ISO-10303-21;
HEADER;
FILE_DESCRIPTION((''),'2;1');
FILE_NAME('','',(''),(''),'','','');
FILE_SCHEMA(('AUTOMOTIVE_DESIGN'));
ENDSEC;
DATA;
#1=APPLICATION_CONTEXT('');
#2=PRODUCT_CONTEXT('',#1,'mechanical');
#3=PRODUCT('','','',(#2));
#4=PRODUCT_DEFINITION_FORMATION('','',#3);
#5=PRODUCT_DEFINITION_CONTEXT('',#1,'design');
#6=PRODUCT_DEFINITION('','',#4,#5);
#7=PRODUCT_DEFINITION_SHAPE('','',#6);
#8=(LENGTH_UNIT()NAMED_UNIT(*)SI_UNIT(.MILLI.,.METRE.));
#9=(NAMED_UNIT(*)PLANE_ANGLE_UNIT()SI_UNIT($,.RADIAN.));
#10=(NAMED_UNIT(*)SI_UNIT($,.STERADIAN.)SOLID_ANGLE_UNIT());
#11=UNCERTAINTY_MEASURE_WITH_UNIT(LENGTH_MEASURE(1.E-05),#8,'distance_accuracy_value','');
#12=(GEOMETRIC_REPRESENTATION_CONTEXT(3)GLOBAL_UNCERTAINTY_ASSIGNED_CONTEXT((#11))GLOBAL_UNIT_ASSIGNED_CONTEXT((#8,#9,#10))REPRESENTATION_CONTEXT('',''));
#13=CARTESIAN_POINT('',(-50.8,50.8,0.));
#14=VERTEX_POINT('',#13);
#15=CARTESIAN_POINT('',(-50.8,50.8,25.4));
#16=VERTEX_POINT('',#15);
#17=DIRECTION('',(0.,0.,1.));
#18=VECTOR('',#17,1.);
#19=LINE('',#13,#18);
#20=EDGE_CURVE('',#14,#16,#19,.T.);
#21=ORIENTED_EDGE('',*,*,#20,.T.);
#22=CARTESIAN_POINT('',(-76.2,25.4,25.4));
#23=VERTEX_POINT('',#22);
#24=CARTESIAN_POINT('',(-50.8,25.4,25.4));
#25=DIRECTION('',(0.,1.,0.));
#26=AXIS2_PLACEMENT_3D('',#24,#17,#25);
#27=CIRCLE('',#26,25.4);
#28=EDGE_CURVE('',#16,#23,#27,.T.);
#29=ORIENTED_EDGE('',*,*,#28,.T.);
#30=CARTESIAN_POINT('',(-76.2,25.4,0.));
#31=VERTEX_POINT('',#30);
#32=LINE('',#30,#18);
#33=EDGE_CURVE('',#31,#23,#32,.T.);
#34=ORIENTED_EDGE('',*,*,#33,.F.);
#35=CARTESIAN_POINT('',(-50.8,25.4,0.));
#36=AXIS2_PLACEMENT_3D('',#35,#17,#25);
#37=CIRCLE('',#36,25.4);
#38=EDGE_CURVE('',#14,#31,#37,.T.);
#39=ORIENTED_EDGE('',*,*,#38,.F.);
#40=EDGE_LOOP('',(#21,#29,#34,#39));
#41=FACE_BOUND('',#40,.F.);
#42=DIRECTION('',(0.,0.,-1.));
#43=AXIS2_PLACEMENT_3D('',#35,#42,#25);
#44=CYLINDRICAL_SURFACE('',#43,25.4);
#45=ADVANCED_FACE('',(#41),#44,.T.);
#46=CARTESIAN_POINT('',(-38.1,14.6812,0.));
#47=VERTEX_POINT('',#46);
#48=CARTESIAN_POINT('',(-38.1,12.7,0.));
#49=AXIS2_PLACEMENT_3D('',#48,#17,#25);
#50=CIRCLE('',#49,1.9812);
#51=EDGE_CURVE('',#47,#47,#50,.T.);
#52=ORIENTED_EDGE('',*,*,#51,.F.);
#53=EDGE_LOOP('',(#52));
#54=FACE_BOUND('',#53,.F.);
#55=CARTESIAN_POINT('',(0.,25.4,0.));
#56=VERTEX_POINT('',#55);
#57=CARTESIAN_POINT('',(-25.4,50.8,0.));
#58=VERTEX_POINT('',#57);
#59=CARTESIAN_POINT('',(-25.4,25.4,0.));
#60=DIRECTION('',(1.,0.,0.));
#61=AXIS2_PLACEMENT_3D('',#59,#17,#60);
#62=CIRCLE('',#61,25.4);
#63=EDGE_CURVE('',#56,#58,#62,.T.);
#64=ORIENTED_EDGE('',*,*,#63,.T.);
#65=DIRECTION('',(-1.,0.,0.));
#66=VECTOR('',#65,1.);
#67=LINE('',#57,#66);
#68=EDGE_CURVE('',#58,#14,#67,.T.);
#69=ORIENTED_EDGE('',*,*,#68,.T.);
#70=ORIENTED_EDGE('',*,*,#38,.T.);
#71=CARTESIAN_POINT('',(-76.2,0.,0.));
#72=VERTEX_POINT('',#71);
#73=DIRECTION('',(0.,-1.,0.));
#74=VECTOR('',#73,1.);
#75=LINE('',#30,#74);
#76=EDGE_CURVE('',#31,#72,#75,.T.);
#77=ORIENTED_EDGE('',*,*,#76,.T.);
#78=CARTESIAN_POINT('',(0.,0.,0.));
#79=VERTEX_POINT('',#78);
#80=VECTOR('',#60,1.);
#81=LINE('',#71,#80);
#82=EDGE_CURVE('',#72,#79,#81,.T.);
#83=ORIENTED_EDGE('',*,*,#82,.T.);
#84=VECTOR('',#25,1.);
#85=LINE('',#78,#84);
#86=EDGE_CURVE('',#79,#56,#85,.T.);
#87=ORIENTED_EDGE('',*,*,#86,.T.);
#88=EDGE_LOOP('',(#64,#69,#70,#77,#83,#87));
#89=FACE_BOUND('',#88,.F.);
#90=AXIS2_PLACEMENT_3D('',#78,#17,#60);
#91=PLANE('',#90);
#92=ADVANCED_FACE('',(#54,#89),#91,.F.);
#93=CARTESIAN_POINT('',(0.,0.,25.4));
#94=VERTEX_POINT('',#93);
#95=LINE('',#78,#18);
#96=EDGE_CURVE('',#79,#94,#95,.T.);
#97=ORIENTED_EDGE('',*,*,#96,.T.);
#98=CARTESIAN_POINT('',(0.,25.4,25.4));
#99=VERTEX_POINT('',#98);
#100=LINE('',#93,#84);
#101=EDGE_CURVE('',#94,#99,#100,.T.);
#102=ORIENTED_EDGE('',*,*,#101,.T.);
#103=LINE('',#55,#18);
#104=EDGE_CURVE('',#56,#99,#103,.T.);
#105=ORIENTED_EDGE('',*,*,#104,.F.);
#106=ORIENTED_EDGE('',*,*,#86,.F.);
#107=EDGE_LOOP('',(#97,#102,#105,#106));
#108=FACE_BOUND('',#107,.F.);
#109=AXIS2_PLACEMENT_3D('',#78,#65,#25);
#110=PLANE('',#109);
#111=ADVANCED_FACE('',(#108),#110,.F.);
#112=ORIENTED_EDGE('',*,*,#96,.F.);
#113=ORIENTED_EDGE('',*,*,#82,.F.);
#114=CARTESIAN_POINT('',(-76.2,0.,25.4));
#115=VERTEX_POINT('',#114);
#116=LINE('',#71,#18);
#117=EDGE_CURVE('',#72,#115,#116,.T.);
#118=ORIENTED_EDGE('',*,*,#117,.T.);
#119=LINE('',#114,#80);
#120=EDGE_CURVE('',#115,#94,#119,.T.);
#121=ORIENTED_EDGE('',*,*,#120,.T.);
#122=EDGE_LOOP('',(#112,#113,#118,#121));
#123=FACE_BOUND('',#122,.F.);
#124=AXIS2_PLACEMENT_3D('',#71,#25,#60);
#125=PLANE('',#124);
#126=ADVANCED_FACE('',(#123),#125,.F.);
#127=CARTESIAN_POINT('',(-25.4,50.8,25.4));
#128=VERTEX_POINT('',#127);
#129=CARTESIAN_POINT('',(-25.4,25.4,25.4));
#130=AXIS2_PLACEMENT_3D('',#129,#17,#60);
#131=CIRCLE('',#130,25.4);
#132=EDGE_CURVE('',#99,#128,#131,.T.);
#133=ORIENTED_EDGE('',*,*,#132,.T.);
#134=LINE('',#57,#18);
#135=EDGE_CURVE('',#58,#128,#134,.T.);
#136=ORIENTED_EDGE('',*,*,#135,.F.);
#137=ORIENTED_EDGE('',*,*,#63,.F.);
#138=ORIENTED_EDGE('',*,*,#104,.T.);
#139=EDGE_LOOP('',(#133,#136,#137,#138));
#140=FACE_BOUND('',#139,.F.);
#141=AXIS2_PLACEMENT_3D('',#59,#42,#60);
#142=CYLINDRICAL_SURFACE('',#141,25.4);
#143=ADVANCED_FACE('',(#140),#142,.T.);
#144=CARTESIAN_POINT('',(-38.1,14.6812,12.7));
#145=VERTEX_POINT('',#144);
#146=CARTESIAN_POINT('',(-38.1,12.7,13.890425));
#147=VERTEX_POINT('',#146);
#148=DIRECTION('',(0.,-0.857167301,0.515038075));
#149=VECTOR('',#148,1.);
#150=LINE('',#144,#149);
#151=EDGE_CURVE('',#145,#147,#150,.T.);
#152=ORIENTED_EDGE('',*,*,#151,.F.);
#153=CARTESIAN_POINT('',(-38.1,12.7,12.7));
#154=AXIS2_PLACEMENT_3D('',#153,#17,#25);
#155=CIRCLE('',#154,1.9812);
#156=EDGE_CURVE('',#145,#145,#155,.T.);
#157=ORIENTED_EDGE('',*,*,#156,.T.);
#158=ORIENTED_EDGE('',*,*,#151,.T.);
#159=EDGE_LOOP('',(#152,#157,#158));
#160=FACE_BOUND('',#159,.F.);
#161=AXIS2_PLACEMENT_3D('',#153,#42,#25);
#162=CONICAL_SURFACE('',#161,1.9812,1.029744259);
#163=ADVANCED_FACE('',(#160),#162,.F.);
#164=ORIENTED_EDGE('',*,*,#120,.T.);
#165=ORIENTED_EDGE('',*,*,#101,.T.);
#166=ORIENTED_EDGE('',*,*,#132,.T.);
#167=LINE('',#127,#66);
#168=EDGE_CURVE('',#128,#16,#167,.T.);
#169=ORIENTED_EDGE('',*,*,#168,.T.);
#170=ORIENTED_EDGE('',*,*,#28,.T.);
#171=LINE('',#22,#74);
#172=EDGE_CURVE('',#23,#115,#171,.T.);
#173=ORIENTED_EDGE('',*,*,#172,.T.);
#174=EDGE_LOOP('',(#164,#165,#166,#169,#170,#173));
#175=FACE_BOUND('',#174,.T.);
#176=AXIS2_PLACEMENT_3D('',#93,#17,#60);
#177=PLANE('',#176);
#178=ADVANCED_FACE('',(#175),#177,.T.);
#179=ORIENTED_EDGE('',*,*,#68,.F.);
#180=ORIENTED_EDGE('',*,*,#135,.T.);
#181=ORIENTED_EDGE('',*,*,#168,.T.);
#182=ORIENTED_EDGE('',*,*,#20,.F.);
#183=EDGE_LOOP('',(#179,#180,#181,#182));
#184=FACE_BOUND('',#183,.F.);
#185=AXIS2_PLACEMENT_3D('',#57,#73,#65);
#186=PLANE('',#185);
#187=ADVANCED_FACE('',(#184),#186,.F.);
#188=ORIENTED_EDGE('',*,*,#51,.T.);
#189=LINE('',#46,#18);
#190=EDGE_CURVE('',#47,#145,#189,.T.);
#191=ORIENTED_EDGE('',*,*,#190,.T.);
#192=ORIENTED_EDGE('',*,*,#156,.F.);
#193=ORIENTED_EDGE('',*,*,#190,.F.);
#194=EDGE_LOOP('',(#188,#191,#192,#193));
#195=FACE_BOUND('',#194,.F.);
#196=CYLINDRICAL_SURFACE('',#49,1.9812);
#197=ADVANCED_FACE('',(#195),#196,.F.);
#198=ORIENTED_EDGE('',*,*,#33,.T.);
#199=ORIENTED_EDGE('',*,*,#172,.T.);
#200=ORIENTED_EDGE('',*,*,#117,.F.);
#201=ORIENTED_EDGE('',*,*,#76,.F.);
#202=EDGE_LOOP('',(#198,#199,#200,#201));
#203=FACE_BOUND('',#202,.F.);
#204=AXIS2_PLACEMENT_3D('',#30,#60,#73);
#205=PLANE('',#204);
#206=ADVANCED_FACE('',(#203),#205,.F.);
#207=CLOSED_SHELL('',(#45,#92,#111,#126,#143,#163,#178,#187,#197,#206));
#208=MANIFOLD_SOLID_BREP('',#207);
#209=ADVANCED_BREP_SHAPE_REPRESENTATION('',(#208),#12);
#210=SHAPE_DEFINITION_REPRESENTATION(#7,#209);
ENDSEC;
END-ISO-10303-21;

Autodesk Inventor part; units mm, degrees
ref_plane "YZ Plane" through (0, 0, 0) normal (1, 0, 0) x (0, 1, 0)
ref_plane "XZ Plane" through (0, 0, 0) normal (0, 1, 0) x (-1, 0, 0)
ref_plane "XY Plane" through (0, 0, 0) normal (0, 0, 1) x (1, 0, 0)
sketch "Sketch1" plane through (0, 0, 0) normal (0, 0, 1) x (1, 0, 0)
  line L0 (0, 0) -> (0, 25.4)
  arc A0 (0, 25.4) -> (-25.4, 50.8) centre (-25.4, 25.4) ccw
  line L1 (-25.4, 50.8) -> (-50.8, 50.8)
  arc A1 (-50.8, 50.8) -> (-76.2, 25.4) centre (-50.8, 25.4) ccw
  line L2 (-76.2, 25.4) -> (-76.2, 0)
  line L3 (-76.2, 0) -> (0, 0)
  point P0 (-38.1, 12.7)
extrude "Extrusion1" add sketch "Sketch1" along normal blind 25.4
hole "Hole1" at (-38.1, 12.7, 0) direction (0, 0, 1) diameter 3.9624 depth 12.7 tip angle 118 thread size "10-32 UNF" class "2B" standard "ANSI Unified Screw Threads"
properties part number "arc_test"
